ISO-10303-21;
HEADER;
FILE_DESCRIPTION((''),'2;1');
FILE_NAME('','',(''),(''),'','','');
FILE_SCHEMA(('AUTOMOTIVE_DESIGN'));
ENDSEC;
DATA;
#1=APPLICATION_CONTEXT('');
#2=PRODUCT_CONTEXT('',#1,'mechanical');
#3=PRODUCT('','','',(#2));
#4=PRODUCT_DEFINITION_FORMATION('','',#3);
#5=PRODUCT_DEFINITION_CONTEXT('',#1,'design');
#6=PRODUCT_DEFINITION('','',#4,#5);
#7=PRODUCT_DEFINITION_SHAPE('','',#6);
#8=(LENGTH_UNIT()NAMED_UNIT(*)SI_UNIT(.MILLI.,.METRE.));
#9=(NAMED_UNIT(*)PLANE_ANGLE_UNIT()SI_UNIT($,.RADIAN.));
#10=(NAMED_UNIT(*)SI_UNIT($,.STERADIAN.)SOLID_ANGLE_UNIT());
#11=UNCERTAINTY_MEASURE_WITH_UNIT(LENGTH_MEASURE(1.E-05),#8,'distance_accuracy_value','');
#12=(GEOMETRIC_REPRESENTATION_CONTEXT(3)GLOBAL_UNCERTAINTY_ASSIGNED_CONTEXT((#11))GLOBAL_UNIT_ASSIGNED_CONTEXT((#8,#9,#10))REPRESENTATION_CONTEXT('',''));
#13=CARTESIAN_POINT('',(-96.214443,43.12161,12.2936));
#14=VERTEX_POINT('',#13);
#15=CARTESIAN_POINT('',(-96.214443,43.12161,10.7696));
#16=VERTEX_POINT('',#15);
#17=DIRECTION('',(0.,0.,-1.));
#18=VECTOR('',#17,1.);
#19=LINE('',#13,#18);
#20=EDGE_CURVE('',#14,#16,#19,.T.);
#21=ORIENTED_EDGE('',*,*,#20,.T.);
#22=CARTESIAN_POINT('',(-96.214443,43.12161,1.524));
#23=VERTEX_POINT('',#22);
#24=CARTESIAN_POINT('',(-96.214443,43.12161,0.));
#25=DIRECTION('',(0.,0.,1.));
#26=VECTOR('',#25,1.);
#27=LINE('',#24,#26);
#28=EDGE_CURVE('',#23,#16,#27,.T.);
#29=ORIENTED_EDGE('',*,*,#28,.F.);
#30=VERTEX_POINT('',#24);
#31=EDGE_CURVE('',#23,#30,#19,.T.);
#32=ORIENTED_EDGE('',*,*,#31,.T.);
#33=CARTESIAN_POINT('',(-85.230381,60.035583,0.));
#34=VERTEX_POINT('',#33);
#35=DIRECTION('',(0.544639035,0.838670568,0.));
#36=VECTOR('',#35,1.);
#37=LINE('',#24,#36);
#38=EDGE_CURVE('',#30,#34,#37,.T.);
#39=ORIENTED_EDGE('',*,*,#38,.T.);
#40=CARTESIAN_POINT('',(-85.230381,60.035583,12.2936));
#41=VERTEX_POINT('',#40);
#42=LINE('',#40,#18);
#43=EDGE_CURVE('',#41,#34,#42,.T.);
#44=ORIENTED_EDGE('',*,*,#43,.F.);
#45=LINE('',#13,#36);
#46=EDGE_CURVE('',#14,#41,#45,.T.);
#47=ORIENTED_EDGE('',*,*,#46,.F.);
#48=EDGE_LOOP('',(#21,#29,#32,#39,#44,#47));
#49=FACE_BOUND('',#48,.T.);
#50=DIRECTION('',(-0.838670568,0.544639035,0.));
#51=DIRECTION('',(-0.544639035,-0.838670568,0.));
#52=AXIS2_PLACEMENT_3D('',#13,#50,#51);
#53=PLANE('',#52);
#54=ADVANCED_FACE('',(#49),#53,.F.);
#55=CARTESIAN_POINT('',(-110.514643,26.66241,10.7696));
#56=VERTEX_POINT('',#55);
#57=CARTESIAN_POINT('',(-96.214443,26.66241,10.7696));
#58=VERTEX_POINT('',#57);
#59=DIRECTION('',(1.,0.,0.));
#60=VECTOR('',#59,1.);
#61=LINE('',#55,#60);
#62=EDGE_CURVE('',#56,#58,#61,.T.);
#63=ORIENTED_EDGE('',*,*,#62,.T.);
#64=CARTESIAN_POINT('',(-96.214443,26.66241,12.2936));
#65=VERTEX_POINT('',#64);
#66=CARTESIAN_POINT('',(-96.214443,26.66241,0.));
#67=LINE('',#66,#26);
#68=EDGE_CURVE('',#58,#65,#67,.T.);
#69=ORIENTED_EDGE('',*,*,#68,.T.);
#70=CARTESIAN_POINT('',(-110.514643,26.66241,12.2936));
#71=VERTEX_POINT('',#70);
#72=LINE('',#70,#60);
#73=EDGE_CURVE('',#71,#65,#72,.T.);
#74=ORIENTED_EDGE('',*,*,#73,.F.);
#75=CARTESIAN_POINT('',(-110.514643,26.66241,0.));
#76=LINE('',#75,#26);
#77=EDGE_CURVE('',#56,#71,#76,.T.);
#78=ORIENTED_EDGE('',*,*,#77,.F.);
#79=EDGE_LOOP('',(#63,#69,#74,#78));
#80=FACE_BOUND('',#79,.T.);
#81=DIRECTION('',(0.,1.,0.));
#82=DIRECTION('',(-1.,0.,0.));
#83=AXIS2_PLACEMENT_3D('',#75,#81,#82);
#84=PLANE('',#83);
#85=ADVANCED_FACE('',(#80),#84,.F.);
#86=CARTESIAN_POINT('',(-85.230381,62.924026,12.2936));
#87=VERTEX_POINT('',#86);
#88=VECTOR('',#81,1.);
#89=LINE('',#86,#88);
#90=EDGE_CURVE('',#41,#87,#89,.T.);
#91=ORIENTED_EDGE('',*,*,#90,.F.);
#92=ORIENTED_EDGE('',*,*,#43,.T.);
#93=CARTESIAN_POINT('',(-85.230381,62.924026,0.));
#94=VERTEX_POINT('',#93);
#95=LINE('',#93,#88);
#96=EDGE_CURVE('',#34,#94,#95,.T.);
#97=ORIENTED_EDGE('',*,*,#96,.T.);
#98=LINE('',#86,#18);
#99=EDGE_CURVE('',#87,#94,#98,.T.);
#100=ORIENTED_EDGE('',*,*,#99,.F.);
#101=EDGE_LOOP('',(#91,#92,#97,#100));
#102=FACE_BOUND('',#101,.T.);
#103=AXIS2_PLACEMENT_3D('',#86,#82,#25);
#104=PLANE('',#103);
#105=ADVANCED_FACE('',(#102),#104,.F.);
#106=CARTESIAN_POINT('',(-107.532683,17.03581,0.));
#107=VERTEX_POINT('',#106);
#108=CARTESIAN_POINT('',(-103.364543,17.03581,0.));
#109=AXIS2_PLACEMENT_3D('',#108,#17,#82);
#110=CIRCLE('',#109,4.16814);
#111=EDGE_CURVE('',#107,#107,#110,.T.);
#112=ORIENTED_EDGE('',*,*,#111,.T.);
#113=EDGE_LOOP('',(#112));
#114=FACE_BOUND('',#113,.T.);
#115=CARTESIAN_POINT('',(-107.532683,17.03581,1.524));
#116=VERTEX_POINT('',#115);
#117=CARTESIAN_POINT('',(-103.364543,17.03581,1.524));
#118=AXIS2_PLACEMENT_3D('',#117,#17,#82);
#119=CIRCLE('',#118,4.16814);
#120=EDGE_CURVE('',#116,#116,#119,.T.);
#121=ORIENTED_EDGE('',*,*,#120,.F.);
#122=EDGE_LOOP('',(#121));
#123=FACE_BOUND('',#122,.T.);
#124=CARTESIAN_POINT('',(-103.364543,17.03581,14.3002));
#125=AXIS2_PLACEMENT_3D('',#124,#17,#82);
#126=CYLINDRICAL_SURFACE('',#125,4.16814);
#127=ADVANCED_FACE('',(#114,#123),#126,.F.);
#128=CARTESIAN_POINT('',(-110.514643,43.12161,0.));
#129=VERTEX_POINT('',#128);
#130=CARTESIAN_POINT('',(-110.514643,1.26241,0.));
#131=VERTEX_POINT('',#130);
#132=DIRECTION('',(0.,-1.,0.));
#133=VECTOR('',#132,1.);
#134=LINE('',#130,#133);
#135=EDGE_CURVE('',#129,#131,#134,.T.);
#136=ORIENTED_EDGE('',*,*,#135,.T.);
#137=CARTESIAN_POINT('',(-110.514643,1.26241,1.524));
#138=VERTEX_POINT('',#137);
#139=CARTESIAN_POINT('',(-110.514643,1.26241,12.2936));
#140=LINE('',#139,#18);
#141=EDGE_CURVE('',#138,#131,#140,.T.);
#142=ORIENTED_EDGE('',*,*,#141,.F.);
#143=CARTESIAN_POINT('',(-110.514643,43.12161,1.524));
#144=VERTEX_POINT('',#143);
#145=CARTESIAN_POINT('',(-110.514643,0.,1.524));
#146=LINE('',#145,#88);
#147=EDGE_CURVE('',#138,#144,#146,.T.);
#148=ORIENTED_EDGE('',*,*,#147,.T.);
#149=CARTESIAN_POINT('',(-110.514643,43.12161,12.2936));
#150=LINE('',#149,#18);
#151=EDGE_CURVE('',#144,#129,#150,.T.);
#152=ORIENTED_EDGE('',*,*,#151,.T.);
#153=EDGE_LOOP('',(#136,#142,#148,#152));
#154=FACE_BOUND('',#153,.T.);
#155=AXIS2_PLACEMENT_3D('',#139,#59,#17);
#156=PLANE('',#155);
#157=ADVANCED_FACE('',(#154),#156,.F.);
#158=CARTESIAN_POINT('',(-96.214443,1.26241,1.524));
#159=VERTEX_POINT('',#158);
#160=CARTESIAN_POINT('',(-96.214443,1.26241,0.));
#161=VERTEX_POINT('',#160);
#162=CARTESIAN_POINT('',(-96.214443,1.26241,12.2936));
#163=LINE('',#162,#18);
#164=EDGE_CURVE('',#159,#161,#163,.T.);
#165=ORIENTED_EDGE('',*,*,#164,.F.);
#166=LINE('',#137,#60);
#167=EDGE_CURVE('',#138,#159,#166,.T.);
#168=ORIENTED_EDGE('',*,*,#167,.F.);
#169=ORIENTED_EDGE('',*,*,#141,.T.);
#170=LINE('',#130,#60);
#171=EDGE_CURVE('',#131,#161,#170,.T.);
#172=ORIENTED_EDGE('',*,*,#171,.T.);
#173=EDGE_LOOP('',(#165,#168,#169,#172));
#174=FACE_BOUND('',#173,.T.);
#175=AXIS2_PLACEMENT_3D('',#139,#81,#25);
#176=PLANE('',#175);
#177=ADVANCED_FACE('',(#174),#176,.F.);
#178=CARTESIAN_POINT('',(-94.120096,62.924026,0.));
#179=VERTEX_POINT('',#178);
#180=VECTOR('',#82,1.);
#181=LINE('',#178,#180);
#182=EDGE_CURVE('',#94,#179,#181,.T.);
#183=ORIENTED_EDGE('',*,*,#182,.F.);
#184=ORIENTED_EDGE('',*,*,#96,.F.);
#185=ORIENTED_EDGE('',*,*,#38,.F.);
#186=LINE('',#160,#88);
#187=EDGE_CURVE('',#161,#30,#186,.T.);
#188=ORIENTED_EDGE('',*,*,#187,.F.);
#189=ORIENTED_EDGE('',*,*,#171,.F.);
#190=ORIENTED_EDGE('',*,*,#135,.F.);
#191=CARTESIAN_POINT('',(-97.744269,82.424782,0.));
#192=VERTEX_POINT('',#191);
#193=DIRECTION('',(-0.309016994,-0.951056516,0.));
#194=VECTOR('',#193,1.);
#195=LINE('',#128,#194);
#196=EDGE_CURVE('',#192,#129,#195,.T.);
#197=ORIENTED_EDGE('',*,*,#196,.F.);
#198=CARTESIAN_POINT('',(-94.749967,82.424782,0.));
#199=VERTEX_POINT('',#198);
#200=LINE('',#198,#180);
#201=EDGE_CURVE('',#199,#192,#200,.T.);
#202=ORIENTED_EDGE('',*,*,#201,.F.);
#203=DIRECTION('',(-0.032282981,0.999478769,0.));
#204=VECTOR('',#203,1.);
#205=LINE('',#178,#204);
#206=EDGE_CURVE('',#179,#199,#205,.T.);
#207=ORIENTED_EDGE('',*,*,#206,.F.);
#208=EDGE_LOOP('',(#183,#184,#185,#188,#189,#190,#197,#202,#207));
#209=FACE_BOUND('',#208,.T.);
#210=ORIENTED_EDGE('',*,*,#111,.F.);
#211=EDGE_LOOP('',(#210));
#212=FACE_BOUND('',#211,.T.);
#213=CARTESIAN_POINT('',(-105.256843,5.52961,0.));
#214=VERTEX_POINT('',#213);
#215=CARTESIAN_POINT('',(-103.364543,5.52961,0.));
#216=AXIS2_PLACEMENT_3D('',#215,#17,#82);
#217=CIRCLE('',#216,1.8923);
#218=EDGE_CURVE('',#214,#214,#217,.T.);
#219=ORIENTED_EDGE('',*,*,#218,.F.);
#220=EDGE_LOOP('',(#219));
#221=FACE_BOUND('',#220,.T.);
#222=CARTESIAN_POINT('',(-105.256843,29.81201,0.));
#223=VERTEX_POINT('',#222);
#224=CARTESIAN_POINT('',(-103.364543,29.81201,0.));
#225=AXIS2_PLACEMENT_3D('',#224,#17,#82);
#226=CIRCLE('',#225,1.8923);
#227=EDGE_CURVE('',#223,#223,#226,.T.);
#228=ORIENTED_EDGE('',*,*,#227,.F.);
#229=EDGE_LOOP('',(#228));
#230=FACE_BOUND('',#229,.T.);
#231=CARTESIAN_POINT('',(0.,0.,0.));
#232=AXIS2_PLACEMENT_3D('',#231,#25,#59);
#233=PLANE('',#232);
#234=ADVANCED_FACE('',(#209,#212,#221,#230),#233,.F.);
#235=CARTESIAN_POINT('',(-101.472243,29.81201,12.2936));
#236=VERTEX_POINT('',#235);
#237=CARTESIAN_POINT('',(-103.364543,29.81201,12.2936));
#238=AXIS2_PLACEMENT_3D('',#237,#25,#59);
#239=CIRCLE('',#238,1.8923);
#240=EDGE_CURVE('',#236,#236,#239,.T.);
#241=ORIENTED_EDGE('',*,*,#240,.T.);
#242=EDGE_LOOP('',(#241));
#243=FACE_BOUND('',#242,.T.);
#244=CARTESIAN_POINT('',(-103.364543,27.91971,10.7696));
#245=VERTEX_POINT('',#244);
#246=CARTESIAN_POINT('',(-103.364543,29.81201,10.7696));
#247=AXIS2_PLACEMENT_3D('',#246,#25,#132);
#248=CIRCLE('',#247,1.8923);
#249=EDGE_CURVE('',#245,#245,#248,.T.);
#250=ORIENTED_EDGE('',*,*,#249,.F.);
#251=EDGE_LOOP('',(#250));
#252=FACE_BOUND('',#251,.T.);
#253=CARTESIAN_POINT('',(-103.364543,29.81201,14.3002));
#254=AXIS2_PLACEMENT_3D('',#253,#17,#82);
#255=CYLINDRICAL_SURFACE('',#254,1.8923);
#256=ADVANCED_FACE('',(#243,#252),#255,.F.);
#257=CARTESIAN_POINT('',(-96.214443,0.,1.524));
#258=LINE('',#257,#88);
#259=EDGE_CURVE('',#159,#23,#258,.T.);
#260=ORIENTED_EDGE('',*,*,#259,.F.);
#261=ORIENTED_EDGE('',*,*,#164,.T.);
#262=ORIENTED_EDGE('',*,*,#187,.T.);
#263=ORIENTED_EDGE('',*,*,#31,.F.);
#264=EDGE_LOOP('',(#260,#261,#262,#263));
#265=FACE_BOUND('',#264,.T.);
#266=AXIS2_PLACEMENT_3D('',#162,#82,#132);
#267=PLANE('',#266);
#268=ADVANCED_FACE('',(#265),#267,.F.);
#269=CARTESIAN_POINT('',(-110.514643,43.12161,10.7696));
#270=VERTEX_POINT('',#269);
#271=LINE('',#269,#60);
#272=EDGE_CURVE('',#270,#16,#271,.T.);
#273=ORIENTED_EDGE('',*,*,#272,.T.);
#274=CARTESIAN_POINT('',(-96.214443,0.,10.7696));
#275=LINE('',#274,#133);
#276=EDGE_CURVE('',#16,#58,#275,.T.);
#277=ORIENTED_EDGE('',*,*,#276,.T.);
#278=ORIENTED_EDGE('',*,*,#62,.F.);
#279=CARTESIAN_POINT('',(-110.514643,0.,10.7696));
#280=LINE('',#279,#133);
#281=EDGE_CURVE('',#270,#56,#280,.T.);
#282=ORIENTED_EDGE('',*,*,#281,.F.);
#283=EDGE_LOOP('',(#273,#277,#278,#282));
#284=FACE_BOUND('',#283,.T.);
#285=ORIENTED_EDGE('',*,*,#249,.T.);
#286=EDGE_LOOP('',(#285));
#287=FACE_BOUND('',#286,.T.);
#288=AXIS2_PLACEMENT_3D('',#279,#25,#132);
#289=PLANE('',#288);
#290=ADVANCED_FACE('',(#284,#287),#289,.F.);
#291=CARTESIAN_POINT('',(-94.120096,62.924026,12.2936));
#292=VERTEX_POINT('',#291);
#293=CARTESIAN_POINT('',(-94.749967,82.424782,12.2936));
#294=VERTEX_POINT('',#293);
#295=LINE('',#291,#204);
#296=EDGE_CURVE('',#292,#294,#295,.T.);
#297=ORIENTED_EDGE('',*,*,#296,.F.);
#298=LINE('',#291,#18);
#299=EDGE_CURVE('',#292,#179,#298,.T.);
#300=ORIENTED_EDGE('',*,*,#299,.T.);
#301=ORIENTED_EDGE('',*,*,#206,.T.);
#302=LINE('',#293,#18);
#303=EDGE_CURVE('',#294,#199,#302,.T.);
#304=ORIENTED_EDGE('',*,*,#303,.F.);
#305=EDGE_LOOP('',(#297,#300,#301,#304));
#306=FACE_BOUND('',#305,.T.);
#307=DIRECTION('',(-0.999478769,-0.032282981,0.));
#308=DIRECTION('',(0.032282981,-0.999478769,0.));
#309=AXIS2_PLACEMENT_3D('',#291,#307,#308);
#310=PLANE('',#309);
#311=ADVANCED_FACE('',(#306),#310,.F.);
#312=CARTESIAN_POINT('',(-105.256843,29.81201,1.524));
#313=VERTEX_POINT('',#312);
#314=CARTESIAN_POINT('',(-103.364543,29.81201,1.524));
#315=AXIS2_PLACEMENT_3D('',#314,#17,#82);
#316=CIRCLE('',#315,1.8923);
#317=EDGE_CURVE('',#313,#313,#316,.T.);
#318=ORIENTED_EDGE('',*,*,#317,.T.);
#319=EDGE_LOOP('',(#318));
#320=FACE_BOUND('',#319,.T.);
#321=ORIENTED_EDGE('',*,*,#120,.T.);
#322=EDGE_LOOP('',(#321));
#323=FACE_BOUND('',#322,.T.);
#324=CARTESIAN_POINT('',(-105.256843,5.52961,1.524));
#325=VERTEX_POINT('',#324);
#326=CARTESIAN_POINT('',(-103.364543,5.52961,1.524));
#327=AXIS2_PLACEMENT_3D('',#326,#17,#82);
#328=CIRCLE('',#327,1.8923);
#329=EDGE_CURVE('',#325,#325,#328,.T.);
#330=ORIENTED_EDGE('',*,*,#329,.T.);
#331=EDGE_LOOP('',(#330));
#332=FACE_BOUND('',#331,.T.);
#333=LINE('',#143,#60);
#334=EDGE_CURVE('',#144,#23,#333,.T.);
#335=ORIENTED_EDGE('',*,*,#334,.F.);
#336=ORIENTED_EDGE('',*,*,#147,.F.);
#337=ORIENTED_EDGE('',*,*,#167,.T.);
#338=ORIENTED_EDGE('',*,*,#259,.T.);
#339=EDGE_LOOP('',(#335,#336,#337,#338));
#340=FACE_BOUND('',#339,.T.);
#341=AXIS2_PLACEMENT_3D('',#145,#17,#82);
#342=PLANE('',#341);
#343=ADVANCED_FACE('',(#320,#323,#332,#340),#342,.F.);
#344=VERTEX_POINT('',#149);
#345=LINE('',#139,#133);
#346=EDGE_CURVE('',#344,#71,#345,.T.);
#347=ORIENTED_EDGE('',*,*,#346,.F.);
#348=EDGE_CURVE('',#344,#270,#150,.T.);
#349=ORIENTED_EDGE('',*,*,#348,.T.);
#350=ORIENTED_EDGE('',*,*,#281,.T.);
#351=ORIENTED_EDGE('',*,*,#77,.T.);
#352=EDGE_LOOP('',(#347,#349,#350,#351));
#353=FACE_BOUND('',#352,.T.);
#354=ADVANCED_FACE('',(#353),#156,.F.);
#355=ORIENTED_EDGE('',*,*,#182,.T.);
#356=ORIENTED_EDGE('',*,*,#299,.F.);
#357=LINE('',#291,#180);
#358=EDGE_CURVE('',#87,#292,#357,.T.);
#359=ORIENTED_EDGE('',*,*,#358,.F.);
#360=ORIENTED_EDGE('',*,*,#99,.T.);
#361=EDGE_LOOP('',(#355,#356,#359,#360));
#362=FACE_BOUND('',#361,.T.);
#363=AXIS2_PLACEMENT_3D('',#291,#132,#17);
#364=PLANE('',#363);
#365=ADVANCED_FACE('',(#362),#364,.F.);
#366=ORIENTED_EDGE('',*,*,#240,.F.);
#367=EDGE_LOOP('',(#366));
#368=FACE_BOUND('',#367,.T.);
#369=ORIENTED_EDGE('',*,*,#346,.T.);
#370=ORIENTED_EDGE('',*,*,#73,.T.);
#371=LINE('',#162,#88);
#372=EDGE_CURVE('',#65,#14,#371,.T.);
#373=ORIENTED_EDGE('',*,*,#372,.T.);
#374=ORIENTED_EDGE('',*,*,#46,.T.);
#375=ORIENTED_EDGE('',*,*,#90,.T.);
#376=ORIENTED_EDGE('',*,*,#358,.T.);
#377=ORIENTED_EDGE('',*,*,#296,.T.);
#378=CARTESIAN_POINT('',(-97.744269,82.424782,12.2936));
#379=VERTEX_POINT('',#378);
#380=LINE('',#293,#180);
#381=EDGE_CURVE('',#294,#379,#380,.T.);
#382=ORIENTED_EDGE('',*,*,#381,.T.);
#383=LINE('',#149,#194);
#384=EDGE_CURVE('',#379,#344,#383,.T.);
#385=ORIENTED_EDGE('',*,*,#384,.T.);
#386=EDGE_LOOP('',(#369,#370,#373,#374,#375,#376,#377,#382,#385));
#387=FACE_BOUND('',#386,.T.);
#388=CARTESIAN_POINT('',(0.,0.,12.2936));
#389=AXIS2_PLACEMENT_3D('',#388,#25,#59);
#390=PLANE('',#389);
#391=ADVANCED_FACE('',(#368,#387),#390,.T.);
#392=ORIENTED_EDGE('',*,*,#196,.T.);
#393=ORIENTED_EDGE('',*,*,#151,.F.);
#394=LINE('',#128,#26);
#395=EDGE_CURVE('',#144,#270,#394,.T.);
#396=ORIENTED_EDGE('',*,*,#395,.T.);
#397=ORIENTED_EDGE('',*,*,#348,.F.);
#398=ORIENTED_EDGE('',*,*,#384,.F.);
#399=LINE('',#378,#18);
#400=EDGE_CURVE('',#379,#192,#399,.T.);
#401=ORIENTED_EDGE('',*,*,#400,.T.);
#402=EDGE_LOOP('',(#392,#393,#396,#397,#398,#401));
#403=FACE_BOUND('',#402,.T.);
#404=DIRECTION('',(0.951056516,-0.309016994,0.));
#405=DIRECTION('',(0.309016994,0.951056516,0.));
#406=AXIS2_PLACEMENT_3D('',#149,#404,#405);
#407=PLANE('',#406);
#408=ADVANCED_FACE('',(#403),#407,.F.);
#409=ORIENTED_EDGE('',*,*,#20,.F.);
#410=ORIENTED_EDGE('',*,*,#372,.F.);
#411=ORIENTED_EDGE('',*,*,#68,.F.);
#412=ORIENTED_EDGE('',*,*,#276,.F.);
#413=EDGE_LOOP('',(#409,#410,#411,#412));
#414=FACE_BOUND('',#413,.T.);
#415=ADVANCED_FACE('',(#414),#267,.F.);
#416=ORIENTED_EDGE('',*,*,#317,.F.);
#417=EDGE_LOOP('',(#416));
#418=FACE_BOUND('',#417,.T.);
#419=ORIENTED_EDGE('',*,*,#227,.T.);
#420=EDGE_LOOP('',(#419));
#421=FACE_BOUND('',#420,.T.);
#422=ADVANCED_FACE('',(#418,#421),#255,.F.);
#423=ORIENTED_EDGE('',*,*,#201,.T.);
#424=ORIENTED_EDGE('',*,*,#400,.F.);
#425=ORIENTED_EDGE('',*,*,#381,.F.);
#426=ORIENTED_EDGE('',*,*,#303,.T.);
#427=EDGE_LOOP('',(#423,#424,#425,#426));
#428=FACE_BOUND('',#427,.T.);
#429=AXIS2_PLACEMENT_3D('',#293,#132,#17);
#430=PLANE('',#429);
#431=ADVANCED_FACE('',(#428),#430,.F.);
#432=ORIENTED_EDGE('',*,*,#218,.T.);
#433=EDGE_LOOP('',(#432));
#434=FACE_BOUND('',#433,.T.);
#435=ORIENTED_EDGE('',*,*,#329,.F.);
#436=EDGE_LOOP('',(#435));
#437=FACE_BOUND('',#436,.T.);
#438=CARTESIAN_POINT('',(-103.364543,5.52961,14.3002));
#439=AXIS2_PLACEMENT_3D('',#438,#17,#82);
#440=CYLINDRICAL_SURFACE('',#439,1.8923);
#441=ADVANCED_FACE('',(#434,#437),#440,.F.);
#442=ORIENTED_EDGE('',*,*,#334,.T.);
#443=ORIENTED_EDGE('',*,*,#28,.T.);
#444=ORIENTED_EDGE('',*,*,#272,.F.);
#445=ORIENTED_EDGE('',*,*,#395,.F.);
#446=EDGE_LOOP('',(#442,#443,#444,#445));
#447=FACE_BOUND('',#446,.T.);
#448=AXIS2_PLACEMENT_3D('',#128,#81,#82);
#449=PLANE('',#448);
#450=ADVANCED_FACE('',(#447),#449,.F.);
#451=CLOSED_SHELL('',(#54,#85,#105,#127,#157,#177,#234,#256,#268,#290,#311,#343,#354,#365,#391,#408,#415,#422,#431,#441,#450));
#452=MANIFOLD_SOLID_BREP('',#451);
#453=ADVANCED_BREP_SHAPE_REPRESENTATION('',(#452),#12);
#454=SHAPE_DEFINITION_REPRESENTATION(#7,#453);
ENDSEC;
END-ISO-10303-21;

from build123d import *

# Parameters (mm, degrees)
BOSS_EXTRUDE3_DEPTH = 12.2936
CUT_EXTRUDE3_DEPTH  = 14.3002
SKETCH3_R           = 1.8923
SKETCH3_R_2         = 4.16814
CUT_EXTRUDE4_DEPTH  = 14.3002


with BuildPart() as part:
    # Sketch1 → Boss-Extrude3 (new body)
    with BuildSketch(Plane.XY):
        Polygon((-110.51464309, 1.262410177), (-96.21444309, 1.262410177), (-96.21444309, 43.121610177), (-85.230380887, 60.035582724), (-85.230380887, 62.924026373), (-94.120096356, 62.924026373), (-94.749967174, 82.424781559), (-97.744268584, 82.424781559), (-110.51464309, 43.121610177), align=None)
    extrude(amount=BOSS_EXTRUDE3_DEPTH)

    # Sketch2 → Cut-Extrude3 (cut)
    with BuildSketch(Plane(origin=(-96.21444309, 0, 0), x_dir=(0, 0, -1), z_dir=(1, 0, 0))):
        Polygon((-12.2936, 26.662410177), (-12.2936, 1.262410177), (-10.7696, 1.262410177), (-1.524, 1.262410177), (-1.524, 43.121610177), (-10.7696, 43.121610177), (-10.7696, 26.662410177), align=None)
    extrude(amount=-CUT_EXTRUDE3_DEPTH, mode=Mode.SUBTRACT)

    # Sketch3 → Cut-Extrude4 (cut)
    with BuildSketch(Plane(origin=(0, 0, 0), x_dir=(-1, 0, 0), z_dir=(0, 0, -1))):
        with Locations((103.36454309, 5.529610177)):
            Circle(SKETCH3_R)
        with Locations((103.36454309, 29.812010177)):
            Circle(SKETCH3_R)
        with Locations((103.36454309, 17.035810177)):
            Circle(SKETCH3_R_2)
    extrude(amount=-CUT_EXTRUDE4_DEPTH, mode=Mode.SUBTRACT)


solid = part.part
